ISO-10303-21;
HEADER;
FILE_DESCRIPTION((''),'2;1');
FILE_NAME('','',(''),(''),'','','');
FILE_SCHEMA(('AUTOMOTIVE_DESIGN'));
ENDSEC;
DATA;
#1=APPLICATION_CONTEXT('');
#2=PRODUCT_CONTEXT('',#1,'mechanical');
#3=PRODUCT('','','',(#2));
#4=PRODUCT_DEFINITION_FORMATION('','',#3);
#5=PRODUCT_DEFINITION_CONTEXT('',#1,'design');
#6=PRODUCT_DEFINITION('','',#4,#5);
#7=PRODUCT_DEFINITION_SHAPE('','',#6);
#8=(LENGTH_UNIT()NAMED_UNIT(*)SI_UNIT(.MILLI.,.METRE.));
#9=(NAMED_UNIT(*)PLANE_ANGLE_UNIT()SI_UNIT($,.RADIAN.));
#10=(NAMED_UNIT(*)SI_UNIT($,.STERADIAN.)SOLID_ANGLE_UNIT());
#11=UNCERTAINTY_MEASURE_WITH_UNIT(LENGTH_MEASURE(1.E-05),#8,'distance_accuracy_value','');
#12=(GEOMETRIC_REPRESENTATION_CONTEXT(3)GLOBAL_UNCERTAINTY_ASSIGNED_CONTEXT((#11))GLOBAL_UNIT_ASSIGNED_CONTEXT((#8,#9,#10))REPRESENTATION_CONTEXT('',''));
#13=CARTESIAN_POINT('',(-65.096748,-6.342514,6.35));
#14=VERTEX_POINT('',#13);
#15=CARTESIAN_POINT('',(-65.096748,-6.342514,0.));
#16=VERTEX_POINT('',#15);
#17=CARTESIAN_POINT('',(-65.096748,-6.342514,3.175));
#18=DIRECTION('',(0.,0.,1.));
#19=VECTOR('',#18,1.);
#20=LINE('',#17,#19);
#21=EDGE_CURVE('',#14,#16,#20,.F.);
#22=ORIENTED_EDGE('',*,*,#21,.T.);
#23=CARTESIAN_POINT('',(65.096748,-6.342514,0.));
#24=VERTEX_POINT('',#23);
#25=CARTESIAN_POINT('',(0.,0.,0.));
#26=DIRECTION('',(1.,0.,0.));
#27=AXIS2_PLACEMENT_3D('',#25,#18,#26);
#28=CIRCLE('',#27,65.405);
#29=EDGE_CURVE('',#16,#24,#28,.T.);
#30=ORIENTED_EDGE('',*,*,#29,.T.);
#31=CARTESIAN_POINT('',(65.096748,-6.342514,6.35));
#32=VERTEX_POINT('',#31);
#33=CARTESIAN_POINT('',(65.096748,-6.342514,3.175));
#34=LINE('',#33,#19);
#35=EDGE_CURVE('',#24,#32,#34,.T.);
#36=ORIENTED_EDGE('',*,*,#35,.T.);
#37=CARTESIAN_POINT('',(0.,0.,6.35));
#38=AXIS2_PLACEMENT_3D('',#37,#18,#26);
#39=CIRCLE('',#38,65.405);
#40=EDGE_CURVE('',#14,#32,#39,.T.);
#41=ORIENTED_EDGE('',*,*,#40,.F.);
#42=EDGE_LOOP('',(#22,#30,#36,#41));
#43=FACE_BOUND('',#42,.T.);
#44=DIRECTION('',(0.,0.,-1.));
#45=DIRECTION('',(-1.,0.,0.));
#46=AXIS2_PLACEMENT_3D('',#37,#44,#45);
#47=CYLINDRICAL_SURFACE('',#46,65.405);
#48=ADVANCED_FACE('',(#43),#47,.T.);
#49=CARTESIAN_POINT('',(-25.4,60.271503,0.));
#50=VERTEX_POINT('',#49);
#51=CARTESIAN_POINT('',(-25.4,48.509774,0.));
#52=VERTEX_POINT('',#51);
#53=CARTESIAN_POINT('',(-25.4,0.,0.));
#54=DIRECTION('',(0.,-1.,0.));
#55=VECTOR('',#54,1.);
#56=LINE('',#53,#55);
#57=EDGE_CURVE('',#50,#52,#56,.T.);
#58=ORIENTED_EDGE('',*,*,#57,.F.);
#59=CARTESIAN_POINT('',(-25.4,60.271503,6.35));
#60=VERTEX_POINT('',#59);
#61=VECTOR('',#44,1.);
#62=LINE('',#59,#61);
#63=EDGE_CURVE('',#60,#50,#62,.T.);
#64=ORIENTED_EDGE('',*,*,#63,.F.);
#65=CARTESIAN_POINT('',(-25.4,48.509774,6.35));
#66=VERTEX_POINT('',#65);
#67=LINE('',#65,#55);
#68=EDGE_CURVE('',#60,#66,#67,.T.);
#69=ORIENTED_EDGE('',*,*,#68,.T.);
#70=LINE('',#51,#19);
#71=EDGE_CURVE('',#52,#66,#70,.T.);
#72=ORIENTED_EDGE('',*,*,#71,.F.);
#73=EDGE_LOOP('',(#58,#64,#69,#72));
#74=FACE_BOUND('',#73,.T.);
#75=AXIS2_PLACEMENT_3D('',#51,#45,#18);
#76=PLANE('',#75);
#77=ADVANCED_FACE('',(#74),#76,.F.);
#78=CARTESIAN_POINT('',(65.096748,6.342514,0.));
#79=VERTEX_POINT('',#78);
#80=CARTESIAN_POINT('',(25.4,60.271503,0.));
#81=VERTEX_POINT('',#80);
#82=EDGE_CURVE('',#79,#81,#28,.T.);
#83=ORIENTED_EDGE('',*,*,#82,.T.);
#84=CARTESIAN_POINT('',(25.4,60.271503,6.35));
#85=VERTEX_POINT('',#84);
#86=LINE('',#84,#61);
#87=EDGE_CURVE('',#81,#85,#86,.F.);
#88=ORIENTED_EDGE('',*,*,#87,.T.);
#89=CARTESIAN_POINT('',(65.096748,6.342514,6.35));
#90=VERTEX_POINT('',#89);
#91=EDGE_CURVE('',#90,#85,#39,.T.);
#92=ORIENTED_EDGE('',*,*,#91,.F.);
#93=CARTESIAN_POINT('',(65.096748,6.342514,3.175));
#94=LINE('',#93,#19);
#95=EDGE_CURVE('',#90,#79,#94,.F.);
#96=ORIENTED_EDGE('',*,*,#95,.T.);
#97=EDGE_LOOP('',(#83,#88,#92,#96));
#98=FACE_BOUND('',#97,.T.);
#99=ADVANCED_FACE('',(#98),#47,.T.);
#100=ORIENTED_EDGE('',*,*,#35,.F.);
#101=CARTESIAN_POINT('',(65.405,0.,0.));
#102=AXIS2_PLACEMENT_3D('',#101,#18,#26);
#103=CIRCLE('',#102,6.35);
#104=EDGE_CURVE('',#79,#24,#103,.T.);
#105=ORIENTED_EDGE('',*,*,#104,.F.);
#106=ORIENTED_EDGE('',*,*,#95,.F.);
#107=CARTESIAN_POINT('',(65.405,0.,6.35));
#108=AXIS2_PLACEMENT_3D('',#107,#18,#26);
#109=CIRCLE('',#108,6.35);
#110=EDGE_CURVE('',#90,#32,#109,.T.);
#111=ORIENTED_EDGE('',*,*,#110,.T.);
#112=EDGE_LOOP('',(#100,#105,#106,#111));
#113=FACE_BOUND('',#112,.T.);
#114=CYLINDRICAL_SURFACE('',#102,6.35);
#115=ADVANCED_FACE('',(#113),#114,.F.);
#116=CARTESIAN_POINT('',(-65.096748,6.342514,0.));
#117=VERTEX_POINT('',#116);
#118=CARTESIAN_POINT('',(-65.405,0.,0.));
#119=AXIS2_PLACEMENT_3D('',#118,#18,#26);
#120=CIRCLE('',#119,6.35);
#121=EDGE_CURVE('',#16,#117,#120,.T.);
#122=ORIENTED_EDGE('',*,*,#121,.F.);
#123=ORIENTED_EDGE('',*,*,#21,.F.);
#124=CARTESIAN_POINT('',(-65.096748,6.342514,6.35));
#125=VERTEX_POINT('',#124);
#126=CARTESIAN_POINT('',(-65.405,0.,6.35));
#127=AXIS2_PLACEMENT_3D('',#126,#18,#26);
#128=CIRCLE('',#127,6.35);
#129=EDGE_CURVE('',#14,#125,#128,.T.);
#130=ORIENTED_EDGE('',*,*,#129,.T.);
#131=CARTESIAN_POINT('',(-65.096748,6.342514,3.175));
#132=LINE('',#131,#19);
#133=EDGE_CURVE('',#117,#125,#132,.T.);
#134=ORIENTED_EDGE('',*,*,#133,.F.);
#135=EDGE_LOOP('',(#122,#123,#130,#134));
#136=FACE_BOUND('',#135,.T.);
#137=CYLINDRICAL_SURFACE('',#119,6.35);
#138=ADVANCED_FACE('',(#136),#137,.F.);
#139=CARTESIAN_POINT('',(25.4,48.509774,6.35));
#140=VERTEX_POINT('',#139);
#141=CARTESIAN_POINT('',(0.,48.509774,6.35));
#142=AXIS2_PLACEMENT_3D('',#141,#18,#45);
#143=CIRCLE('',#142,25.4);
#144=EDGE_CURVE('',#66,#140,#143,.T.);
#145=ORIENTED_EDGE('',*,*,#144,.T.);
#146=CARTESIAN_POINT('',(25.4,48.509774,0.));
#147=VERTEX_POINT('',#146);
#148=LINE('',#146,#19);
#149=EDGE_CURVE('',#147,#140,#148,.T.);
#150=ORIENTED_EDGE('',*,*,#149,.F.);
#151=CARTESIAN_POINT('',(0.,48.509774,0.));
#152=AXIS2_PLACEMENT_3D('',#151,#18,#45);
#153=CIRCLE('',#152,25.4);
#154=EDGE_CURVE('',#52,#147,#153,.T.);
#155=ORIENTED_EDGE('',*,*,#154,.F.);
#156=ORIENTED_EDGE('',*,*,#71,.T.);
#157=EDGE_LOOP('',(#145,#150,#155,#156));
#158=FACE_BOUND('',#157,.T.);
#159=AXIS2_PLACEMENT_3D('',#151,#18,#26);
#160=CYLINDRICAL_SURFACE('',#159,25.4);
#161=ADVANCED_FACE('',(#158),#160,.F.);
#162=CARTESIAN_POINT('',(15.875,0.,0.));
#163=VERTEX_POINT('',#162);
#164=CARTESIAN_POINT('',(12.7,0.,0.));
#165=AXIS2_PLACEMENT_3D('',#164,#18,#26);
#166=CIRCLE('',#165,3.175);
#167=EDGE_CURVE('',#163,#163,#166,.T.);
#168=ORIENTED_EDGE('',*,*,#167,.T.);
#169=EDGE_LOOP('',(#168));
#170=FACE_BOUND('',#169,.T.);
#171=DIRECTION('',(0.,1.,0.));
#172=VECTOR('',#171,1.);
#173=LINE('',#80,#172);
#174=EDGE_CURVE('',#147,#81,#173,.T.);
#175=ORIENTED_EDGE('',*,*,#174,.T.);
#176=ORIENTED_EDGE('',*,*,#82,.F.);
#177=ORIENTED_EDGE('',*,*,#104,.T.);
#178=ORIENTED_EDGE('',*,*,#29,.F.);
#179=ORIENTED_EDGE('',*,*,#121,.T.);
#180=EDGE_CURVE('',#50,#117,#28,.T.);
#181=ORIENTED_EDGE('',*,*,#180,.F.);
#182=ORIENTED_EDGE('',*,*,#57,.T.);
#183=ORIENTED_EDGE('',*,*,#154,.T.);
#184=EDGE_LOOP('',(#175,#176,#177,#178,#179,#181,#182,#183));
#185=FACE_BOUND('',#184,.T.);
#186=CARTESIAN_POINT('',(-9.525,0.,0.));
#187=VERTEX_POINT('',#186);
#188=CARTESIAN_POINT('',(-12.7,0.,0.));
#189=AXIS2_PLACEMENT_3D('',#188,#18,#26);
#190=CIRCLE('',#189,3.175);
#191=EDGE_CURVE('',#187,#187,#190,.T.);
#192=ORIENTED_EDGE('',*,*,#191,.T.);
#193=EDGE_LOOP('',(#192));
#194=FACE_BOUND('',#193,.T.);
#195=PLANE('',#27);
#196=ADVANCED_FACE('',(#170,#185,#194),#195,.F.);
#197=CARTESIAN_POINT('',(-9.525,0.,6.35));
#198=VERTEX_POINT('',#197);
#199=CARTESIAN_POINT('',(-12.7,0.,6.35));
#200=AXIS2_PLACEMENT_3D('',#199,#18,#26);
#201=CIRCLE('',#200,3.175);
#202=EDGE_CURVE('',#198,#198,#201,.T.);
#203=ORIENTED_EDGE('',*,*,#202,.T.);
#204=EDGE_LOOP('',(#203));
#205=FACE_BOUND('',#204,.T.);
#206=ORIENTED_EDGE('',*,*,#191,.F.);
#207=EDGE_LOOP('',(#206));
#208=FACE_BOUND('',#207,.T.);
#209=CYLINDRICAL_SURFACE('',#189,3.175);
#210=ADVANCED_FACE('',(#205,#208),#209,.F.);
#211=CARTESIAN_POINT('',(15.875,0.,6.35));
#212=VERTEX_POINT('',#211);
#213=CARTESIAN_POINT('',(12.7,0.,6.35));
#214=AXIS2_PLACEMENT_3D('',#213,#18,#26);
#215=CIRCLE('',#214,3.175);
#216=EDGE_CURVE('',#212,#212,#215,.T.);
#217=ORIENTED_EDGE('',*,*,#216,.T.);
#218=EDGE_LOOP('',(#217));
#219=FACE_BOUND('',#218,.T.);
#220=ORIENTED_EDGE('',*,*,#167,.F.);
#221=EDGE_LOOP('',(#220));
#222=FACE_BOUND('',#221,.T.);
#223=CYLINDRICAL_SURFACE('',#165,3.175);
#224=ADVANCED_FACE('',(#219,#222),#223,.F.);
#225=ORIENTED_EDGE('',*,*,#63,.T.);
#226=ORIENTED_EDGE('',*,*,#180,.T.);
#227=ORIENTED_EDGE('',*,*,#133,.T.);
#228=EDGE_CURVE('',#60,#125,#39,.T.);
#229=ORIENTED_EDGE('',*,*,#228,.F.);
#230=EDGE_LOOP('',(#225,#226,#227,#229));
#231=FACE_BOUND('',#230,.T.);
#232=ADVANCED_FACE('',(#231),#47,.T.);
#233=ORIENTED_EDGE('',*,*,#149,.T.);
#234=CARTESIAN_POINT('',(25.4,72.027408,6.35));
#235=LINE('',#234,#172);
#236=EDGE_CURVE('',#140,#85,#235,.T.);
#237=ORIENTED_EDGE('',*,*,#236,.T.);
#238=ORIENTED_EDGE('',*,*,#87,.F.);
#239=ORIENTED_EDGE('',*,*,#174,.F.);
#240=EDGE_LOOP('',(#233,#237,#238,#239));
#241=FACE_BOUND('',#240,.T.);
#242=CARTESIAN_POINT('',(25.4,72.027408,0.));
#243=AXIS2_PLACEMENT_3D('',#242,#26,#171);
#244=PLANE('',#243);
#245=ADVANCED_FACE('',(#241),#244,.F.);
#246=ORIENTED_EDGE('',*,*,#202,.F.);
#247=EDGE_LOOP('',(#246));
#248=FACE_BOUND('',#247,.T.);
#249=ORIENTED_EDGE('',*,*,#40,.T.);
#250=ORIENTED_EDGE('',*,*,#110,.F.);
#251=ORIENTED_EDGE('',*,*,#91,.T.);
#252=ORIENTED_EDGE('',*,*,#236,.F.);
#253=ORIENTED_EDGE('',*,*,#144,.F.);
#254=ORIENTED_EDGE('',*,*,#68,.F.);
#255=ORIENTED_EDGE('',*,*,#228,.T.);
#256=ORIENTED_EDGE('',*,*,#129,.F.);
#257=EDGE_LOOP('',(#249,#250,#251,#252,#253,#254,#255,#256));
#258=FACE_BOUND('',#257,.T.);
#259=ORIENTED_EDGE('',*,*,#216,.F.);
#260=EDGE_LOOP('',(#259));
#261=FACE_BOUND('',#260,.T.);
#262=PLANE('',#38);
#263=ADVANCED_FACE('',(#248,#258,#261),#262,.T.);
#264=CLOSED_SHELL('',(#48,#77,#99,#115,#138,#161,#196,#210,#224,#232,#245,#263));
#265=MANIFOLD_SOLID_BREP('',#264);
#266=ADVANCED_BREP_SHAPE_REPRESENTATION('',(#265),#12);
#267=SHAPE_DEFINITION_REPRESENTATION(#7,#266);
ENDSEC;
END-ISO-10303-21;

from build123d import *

# Parameters (mm, degrees)
SKETCH1_R      = 65.405
EXTRUDE1_DEPTH = 6.35
SKETCH2_R      = 6.35
SKETCH2_R_2    = 3.175
EXTRUDE2_DEPTH = 93.714349213


with BuildPart() as part:
    # Sketch1 → Extrude1 (new body)
    with BuildSketch(Plane.XY):
        Circle(SKETCH1_R)
    extrude(amount=EXTRUDE1_DEPTH)

    # Sketch2 → Extrude2 (cut, through all)
    with BuildSketch(Plane.XY.offset(6.35)):
        with Locations((-65.405, 0)):
            Circle(SKETCH2_R)
        with Locations((65.405, 0)):
            Circle(SKETCH2_R)
        with Locations((12.7, 0)):
            Circle(SKETCH2_R_2)
        with Locations((-12.7, 0)):
            Circle(SKETCH2_R_2)
        with BuildLine():
            Line((-25.4, 48.509773864), (-25.4, 60.271502595))
            Line((-25.4, 60.271502595), (-25.4, 72.027407772))
            Line((-25.4, 72.027407772), (25.4, 72.027407772))
            Line((25.4, 72.027407772), (25.4, 60.271502595))
            Line((25.4, 60.271502595), (25.4, 48.509773864))
            ThreePointArc((25.4, 48.509773864), (0, 23.109773864), (-25.4, 48.509773864))
        make_face()
    extrude(amount=-EXTRUDE2_DEPTH, mode=Mode.SUBTRACT)


solid = part.part
